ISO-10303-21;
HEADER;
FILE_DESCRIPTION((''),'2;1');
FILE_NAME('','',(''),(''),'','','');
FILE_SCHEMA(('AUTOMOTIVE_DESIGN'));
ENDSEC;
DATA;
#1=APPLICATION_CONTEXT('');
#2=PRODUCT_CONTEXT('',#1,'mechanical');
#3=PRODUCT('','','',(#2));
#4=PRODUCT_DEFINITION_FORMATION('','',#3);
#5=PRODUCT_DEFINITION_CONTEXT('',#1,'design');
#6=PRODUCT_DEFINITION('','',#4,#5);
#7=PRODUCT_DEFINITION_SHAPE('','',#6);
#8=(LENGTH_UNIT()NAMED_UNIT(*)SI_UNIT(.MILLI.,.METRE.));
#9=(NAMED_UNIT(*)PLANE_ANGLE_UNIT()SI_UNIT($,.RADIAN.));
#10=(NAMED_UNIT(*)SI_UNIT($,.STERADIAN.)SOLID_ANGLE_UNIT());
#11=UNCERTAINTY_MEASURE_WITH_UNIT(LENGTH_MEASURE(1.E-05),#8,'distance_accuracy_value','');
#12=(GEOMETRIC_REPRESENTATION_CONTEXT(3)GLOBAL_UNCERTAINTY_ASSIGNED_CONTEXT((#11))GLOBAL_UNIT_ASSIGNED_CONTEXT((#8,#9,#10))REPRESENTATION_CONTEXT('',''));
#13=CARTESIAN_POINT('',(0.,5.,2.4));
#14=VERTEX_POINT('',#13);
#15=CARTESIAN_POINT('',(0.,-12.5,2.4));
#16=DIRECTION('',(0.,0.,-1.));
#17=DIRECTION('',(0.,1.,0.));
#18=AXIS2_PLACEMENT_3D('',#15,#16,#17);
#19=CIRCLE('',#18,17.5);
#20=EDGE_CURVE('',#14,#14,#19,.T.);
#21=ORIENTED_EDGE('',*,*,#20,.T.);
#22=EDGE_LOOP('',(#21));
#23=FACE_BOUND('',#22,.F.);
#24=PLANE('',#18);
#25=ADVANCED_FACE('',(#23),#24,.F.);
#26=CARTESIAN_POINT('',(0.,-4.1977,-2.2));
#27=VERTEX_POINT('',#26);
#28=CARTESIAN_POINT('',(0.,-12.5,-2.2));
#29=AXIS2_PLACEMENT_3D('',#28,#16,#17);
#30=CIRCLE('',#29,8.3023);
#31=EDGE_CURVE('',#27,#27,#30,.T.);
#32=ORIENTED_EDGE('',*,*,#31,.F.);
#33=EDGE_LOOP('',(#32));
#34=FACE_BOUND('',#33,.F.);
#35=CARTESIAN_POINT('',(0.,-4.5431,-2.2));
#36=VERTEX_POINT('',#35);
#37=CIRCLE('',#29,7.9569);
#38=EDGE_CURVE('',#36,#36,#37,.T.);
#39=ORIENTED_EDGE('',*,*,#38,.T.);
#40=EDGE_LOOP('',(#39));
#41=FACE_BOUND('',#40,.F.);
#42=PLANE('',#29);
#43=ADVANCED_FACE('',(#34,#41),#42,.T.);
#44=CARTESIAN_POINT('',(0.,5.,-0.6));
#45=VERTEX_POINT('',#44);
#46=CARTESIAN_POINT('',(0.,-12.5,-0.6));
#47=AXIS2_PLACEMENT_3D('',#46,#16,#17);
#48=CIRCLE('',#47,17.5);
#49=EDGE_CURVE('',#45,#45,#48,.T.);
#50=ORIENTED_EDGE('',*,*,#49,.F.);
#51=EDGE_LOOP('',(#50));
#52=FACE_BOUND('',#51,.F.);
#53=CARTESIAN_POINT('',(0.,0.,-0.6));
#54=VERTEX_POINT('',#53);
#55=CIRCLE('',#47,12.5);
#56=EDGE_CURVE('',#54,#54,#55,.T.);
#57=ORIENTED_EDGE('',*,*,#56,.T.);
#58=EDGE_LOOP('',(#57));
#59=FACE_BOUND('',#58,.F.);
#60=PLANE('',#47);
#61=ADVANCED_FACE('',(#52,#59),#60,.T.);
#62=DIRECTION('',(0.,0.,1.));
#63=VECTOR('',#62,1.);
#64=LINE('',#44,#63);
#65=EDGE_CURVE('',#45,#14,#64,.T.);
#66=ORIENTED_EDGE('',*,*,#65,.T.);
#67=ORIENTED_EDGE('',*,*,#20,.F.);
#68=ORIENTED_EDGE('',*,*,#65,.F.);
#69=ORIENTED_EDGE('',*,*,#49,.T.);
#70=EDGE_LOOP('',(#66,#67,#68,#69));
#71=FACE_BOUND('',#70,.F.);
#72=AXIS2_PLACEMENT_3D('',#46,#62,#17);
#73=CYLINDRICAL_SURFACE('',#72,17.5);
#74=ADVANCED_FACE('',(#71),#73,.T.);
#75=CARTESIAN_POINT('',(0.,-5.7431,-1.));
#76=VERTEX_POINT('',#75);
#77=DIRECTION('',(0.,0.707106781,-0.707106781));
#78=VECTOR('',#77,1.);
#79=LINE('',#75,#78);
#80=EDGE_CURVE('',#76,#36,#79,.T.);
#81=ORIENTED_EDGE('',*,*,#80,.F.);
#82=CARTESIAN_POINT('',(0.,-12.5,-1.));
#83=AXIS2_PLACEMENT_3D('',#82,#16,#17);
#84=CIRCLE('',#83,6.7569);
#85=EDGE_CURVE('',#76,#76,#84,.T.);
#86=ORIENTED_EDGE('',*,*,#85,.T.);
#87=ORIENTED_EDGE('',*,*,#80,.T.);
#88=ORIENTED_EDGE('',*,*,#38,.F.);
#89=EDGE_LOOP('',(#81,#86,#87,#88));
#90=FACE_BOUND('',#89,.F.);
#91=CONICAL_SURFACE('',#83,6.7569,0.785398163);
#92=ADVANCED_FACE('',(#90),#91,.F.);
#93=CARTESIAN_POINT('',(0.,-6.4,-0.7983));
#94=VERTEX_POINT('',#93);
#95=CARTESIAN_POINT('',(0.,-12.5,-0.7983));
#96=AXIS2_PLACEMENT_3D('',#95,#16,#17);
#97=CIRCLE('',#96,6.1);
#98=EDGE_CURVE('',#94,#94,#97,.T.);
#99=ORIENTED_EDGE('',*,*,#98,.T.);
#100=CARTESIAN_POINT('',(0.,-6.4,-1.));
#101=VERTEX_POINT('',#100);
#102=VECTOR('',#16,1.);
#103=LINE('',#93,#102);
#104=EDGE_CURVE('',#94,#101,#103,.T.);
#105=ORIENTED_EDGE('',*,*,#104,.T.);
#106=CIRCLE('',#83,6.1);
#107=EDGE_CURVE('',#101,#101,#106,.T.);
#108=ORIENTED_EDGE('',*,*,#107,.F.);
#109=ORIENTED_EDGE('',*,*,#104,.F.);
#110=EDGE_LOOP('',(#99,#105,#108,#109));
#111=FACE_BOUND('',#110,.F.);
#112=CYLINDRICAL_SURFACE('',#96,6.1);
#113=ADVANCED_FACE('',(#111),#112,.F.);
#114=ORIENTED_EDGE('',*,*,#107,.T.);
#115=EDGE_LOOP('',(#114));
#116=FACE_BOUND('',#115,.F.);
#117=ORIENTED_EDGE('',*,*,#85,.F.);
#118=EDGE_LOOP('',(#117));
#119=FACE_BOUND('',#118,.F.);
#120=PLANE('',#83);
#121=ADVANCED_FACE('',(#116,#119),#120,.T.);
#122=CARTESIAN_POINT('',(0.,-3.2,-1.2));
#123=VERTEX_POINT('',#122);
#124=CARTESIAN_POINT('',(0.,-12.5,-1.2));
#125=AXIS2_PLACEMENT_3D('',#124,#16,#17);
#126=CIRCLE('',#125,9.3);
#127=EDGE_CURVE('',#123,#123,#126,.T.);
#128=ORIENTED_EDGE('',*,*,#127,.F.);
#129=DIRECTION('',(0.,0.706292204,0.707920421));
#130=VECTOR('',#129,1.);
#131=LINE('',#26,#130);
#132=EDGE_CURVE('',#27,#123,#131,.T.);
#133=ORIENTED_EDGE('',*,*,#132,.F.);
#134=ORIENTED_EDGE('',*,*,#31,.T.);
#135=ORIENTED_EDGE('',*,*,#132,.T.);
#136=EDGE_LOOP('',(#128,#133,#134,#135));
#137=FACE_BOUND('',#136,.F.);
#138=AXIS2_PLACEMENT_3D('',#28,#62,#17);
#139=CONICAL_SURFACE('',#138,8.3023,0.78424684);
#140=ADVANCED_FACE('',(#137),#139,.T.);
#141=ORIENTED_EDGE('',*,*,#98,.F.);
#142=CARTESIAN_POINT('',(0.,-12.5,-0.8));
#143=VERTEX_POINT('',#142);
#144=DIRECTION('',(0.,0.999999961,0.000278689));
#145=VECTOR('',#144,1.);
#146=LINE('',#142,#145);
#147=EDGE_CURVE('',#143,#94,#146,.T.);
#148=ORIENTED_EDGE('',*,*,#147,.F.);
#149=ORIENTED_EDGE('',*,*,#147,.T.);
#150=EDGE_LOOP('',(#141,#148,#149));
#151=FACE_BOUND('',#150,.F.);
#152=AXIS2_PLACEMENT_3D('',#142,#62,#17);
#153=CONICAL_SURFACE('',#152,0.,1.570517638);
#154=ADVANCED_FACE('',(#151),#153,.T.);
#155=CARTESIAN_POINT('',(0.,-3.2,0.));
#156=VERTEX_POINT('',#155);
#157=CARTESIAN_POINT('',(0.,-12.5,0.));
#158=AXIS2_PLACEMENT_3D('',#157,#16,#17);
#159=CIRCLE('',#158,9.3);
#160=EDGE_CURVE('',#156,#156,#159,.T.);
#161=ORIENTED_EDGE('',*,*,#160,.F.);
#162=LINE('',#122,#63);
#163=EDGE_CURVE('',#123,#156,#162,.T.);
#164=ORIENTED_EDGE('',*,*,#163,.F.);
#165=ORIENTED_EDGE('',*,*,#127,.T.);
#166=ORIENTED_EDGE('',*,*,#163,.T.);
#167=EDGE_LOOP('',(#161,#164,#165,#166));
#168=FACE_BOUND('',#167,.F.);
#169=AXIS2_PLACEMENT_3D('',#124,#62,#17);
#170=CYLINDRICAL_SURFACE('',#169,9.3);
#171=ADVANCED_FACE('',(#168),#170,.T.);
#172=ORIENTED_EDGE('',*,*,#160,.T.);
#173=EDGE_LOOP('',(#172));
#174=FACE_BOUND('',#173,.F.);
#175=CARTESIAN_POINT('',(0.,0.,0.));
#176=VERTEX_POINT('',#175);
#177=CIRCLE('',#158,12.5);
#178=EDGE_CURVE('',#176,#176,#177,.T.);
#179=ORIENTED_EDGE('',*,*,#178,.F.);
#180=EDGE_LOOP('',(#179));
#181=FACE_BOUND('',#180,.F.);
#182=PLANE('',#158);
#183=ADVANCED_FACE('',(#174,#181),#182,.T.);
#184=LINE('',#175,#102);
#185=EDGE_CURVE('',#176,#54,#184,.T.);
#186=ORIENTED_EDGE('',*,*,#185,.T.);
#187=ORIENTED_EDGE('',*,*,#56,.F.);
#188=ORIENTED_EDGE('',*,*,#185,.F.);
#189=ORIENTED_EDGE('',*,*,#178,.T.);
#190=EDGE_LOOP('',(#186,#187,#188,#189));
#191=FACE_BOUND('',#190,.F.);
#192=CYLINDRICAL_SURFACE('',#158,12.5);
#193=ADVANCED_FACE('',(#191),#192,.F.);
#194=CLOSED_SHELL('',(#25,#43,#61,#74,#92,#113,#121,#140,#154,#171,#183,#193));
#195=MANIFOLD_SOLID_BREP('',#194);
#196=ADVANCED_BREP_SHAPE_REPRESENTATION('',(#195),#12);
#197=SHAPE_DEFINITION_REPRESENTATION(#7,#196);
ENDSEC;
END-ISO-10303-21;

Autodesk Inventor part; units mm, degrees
ref_plane "YZ Plane" through (0, 0, 0) normal (1, 0, 0) x (0, 1, 0)
ref_plane "XZ Plane" through (0, 0, 0) normal (0, 1, 0) x (-1, 0, 0)
ref_plane "XY Plane" through (0, 0, 0) normal (0, 0, 1) x (1, 0, 0)
sketch "Skizze1" plane through (0, 0, 0) normal (1, 0, 0) x (0, 1, 0)
  line L0 (0, 0) -> (0, -0.6)
  line L1 (-25, 0) -> (0, 0) projected
  line L2 (-25, -0.6) -> (0, -0.6) projected
  line L3 (-20.8023, -2.2) -> (-4.1977, -2.2) projected
  line L4 (-20.6011, -1.9989) -> (-21.4, -1.2)
  line L5 (-21.4, -1.2) -> (-21.4, 0)
  line L6 (-25, 0) -> (-25, -0.6)
  line L7 (-22.8485, -0.6) -> (-20.8497, -2.5989)
  line L8 (-21.0508, -2.8) -> (-3.9492, -2.8) projected
  line L9 (0, -0.6) -> (5, -0.6)
  line L10 (5, -0.6) -> (5, 2.4)
  line L11 (-12.5, -6.6891) -> (-12.5, -2.8)
  line L12 (0, 4.2178) -> (0, -8.5069) projected
  line L13 (5, 2.4) -> (-12.5, 2.4)
  line L14 (-19.2569, -1) -> (-5.7431, -1) projected
  line L15 (-18.5, -0.8) -> (-6.5, -0.8) construction
  line L16 (-6.5, -0.8) -> (-6.5, -1) construction
  line L17 (-6.5, -1) -> (-18.5, -1) construction
  line L18 (-18.5, -1) -> (-18.5, -0.8) construction
  line L19 (-18.5, -0.8) -> (-12.5, -0.9) construction
  line L20 (-6.5, -0.8) -> (-18.5, -1) construction
  line L21 (-12.5, 2.4) -> (-12.5, -0.8)
  line L22 (-12.5, -0.8) -> (-6.4, -0.7983) construction
  line L23 (-6.4, -0.7983) -> (-6.4, -1) construction
  line L24 (-12.5, -0.8) -> (-6.4, -0.7983) construction
  line L25 (-6.4, -0.7983) -> (-6.4, -1) construction
  line L26 (-12.5, -0.8) -> (-6.4, -0.7983)
  line L27 (-6.4, -0.7983) -> (-6.4, -1)
  line L28 (-6.5, -1) -> (-6.5167, -1)
  line L29 (-5.7431, -1) -> (-6.1949, -1.0051)
  line L30 (-3.6, 0) -> (0, 0)
  line L31 (-5.9715, -1.2285) -> (-6.1949, -1.0051)
  line L32 (-5, -2.2) -> (-4.4683, -2.2)
  line L33 (-5, -2.2) -> (-5.3167, -2.2)
  line L34 (-5.3167, -2.2) -> (-3.6196, -2.2) construction
  line L35 (-3.2, -1.2) -> (-3.2, 0)
  line L36 (-4.1989, -2.1989) -> (-3.2, -1.2)
  line L37 (-20.8023, -2.2) -> (-4.1977, -2.2) projected
  line L38 (-4.1977, -2.2) -> (-4.9977, -2.2)
  line L39 (-5.7431, -1) -> (-4.5431, -2.2)
  point P0 (-2.1515, -0.6)
  point P1 (-22.8485, -0.6)
  point P2 (-12.5, -1)
  point P3 (-12.5, -0.6)
  point P4 (-21.4, -0.6)
  point P5 (-12.5, 0)
  dimension "d0" = 5
  dimension "d1" = 3
  dimension "d2" = 17.1016
  dimension "d3" = 8.5508
  dimension "d4" = 12
  dimension "d5" = 0.2
  dimension "d6" = 6.1
revolve "Umdrehung1" add sketch "Skizze1" angle 360 about axis through (0, -12.5, 2.4) along (0, 0, -1) contours L12 L13 L10 L9 L0 | L1 L21 L13 L12 | L35 L2 L21 L1 | L35 L36 L3 L39 L14 L27 L26 L21 L2
equation "\"d3\" = 0.5 * d2"
properties part number "50_ETL_Membrane_Mould_Lower_v0"
